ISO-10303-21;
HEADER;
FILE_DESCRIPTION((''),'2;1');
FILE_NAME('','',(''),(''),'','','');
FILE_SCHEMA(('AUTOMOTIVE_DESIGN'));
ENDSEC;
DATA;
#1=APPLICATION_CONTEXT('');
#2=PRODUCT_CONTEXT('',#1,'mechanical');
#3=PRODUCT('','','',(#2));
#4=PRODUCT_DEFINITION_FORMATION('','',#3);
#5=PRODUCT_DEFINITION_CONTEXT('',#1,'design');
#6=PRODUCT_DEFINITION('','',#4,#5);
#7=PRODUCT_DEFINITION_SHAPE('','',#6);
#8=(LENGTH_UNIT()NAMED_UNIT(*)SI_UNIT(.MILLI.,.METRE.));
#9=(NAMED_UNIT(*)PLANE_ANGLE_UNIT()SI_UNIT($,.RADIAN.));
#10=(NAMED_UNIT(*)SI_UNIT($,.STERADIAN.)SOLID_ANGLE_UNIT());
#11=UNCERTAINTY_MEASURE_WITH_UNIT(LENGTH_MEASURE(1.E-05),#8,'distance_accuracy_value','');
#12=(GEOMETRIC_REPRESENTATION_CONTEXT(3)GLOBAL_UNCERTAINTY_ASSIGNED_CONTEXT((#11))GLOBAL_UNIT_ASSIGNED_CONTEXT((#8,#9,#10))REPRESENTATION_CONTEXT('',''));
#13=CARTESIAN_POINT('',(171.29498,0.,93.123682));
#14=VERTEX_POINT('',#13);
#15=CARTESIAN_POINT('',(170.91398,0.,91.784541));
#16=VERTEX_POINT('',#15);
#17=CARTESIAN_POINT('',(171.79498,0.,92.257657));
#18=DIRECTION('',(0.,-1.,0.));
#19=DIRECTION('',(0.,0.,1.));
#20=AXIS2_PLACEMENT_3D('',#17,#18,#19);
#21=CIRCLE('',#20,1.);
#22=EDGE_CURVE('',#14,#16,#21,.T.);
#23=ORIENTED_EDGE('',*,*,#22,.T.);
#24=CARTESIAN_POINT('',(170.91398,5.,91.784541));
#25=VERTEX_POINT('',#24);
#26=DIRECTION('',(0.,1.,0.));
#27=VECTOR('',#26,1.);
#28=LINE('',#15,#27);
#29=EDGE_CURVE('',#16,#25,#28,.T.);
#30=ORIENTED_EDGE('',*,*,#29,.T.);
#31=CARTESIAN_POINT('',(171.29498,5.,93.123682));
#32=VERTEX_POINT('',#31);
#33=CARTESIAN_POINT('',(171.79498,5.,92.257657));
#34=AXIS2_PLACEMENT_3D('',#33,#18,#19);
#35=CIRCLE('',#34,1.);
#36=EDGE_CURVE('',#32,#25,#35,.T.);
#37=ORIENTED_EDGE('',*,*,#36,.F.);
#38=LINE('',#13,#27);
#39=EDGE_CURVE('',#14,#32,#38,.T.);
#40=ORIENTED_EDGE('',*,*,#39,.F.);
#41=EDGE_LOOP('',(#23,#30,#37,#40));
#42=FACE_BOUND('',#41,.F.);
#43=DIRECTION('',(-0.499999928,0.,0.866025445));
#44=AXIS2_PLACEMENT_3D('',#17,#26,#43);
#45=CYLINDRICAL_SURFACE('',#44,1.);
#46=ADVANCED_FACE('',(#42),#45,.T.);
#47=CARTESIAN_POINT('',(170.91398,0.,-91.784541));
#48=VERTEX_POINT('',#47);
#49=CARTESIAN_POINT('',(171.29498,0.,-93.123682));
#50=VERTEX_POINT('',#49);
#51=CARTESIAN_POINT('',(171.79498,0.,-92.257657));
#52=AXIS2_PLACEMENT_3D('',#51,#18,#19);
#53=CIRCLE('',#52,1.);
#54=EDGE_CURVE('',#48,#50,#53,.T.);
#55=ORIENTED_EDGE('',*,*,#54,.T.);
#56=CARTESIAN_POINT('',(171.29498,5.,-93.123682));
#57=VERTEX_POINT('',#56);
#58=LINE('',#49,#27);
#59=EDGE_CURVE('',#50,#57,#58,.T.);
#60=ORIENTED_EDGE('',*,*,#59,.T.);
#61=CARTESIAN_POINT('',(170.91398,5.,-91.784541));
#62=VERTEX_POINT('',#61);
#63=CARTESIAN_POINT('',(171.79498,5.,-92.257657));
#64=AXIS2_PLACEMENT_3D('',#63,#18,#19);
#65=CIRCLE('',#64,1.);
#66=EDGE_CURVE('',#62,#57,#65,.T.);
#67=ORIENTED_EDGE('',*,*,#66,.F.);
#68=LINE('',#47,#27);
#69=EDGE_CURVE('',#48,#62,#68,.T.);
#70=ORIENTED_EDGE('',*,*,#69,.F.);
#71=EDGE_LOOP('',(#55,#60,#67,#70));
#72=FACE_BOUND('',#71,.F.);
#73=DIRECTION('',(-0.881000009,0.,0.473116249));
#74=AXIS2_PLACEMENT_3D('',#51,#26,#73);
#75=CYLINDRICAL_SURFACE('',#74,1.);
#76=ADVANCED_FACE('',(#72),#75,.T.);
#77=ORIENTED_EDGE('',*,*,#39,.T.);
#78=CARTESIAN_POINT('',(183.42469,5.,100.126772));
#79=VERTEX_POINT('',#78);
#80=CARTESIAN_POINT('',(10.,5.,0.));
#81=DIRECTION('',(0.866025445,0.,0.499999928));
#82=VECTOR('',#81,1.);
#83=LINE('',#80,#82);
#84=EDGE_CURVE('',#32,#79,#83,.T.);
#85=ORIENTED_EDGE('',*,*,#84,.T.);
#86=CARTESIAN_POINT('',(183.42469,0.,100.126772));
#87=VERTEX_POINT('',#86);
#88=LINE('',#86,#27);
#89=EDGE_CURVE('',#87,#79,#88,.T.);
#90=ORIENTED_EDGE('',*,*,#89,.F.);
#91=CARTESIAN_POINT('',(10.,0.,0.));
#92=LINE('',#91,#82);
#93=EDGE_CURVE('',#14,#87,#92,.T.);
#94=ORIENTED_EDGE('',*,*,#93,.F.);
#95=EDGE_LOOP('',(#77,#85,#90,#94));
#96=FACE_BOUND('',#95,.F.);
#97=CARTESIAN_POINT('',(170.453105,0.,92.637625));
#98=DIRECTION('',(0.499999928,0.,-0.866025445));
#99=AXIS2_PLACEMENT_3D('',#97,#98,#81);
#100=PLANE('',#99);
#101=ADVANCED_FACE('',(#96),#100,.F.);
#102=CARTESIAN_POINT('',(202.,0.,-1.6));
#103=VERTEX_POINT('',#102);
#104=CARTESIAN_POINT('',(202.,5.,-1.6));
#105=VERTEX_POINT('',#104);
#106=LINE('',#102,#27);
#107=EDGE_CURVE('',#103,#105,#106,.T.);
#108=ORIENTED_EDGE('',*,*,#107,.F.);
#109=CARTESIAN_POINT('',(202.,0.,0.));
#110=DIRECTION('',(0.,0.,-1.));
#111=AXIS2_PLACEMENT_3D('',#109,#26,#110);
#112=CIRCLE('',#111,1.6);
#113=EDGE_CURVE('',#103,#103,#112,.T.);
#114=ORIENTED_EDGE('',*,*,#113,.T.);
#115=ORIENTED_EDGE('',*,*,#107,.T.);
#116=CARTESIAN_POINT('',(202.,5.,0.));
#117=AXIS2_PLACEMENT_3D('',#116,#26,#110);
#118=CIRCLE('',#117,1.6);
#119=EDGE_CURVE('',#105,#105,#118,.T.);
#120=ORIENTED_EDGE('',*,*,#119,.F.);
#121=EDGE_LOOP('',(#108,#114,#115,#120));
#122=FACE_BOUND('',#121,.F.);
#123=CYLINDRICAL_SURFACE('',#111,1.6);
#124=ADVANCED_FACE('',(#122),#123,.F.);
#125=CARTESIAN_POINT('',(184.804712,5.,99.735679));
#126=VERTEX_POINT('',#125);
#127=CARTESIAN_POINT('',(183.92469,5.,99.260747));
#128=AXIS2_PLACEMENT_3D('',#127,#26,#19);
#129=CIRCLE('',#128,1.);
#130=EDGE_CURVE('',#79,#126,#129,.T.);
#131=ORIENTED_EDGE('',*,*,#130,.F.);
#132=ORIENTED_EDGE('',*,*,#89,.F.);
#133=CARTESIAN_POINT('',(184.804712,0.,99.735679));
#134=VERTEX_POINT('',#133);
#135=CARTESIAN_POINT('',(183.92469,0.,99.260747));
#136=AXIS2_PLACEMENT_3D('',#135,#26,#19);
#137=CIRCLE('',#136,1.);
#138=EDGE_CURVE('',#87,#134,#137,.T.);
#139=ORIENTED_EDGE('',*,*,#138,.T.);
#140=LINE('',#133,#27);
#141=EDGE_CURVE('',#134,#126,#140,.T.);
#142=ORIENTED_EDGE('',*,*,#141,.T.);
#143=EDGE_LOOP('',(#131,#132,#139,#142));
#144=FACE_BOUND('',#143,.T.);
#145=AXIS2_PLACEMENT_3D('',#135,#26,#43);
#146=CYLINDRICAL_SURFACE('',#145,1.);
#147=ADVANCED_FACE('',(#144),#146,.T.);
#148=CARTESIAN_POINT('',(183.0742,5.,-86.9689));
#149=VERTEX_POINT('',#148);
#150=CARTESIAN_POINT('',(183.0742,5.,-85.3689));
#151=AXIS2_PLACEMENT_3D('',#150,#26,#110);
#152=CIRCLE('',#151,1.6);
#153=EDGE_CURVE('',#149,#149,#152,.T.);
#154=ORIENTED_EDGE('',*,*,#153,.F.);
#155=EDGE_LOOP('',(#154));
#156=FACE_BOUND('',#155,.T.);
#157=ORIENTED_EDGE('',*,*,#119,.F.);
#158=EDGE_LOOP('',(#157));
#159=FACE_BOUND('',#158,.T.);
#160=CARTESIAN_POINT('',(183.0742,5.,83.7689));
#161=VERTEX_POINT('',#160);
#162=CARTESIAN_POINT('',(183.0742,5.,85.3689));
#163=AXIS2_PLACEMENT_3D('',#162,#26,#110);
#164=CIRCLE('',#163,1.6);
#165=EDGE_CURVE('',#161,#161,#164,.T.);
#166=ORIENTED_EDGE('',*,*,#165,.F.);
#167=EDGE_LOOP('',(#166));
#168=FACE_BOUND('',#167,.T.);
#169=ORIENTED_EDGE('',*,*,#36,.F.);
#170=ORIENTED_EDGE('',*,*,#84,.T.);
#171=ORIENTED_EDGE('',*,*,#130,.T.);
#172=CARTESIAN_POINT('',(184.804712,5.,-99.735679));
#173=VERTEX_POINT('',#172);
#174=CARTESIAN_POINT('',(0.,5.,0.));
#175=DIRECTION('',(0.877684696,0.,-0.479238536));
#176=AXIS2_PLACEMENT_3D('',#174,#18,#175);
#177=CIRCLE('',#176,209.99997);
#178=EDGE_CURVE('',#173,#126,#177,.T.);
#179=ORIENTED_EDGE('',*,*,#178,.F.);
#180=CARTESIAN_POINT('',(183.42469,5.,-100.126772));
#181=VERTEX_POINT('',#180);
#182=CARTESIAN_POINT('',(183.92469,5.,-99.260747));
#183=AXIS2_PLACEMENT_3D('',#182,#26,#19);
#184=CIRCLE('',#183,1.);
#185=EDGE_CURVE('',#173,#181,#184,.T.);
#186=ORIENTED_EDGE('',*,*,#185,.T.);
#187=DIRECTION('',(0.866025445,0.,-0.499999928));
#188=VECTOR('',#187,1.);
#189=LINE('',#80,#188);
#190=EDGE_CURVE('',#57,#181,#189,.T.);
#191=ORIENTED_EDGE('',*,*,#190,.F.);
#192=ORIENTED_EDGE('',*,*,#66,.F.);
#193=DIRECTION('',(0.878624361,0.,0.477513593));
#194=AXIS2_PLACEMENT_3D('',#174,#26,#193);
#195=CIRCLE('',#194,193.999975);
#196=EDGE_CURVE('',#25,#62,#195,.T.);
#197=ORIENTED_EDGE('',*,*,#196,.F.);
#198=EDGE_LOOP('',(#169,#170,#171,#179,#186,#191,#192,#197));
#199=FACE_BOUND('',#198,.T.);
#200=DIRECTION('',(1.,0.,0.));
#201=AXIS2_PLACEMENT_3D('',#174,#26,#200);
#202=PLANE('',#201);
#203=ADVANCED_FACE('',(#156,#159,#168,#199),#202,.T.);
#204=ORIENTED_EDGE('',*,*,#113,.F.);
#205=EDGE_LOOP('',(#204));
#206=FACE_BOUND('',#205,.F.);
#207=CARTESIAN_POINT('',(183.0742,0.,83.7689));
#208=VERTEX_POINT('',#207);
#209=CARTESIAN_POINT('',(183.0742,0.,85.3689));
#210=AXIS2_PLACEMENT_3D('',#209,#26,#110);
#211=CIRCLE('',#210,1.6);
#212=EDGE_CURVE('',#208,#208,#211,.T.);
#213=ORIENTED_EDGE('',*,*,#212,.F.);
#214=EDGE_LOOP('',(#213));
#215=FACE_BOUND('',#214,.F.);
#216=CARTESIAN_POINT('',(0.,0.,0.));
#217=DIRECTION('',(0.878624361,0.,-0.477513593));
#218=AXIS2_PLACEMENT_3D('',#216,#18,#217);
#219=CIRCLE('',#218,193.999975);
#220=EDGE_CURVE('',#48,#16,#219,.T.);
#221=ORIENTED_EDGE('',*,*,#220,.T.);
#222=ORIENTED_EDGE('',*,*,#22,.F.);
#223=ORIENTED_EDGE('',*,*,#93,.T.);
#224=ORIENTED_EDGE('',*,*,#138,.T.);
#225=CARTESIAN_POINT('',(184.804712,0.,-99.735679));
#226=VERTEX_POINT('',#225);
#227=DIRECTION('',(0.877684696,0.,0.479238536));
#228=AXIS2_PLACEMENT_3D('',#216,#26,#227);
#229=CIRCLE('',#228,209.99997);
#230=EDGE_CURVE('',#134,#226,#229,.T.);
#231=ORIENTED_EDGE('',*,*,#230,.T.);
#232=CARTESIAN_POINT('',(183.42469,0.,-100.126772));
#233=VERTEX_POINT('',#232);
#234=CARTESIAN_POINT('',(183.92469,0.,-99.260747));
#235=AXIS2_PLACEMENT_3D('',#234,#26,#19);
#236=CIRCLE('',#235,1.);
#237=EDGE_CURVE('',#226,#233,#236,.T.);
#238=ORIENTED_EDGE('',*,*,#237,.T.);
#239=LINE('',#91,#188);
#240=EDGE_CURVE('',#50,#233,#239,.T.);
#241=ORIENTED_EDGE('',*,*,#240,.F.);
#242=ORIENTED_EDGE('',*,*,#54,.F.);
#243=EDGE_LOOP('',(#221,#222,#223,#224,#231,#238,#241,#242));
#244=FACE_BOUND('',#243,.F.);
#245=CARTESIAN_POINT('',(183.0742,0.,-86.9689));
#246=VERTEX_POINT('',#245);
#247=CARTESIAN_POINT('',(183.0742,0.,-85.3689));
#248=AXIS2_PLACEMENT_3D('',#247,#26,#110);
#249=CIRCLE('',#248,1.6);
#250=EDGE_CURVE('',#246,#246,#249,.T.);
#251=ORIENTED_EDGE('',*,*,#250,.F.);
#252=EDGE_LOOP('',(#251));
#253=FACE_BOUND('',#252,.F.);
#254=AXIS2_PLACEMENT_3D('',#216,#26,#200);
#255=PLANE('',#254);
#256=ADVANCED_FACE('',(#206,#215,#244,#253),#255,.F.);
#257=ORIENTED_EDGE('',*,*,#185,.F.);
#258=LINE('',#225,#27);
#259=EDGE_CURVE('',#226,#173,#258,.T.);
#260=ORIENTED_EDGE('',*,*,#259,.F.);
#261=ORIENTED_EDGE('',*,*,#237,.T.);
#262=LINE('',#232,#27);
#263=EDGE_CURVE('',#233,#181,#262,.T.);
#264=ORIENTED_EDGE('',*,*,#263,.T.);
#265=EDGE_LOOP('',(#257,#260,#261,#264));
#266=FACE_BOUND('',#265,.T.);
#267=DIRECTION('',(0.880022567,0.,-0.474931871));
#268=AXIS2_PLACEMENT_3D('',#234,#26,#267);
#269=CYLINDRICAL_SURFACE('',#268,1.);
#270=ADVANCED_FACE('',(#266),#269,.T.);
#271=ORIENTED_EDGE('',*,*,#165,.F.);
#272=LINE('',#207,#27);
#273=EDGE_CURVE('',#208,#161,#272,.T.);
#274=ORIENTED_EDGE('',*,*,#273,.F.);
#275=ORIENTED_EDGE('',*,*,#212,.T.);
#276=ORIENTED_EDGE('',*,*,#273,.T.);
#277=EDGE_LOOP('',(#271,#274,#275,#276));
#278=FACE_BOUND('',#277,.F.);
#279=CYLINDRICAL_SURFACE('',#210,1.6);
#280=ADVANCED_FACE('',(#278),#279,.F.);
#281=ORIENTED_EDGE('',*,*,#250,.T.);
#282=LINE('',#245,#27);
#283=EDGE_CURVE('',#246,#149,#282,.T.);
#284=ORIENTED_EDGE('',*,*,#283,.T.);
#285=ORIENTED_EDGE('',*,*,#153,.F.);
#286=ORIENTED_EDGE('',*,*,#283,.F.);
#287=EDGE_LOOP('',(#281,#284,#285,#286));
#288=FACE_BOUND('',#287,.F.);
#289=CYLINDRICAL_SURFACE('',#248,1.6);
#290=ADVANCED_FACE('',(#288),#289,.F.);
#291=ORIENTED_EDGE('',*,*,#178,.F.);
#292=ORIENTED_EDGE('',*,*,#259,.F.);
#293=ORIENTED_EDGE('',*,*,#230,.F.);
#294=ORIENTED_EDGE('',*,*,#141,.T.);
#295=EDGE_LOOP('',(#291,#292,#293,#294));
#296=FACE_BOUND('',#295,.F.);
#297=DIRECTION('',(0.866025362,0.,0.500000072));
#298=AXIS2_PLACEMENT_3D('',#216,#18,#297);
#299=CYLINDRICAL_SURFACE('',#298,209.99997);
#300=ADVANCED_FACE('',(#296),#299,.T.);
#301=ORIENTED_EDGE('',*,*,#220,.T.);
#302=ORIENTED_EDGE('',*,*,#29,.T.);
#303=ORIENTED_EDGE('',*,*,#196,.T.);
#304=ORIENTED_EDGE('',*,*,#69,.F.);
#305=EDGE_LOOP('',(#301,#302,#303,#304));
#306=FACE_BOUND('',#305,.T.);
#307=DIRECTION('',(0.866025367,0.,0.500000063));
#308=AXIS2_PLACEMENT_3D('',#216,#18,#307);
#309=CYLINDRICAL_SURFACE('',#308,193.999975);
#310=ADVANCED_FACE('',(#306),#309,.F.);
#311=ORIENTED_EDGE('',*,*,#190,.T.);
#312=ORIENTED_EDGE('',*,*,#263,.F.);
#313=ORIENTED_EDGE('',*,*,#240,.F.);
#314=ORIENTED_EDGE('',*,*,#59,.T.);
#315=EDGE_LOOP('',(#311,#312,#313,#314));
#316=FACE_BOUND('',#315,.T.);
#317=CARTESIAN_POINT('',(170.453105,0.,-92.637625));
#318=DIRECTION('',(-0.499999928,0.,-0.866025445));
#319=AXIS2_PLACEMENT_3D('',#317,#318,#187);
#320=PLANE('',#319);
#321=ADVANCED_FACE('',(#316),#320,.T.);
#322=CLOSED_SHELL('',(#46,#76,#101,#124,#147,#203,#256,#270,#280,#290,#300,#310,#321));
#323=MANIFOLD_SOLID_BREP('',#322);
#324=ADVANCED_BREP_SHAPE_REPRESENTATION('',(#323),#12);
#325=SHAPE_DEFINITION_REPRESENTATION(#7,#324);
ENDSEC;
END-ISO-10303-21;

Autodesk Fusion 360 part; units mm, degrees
sketch "スケッチ1" plane through (0, 0, 0) normal (0, 1, 0) x (1, 0, 0)
  arc A0 (181.8653, -105) -> (181.8653, 105) centre (0, 0) ccw
  line L0 (181.8653, 105) -> (0, 0)
  line L1 (0, 0) -> (181.8653, -105)
  line L2 (0, 0) -> (210, 0)
  arc A1 (168.0089, -97) -> (168.0089, 97) centre (0, 0) ccw
  line L3 (10, 0) -> (184.3138, 100.6401)
  line L4 (10, 0) -> (184.3138, -100.6401)
  arc A2 (183.0742, -85.3689) -> (183.0742, 85.3689) centre (0, 0) ccw
  line L5 (0, 0) -> (183.0742, 85.3689)
  line L6 (0, 0) -> (183.0742, -85.3689)
  point P0 (202, 0)
  dimension "d1" = 210
  dimension "d2" = 30
  dimension "d3" = 30
  dimension "d4" = 194
  dimension "d14" = 30
  dimension "d15" = 10
  dimension "d17" = 30
  dimension "d23" = 202
  dimension "d24" = 25
  dimension "d25" = 25
extrude "押し出し1" add sketch "スケッチ1" along normal blind 5 contours A0 L2 A1 L4 A2 L6 | A0 L2 A1 L3 A2 L5 | L2 A1 A2 L6 | L2 A1 A2 L5
hole "穴1" at (183.0742, 0, 85.3689) at (202, 0, 0) at (183.0742, 0, -85.3689) direction (0, 1, 0) diameter 3.2 end through all
fillet "フィレット1" radius 1 4 edges at (184.3138, 2.5, 100.6401) (184.3138, 2.5, -100.6401) (170.4531, 2.5, 92.6377) (170.4531, 2.5, -92.6377)
